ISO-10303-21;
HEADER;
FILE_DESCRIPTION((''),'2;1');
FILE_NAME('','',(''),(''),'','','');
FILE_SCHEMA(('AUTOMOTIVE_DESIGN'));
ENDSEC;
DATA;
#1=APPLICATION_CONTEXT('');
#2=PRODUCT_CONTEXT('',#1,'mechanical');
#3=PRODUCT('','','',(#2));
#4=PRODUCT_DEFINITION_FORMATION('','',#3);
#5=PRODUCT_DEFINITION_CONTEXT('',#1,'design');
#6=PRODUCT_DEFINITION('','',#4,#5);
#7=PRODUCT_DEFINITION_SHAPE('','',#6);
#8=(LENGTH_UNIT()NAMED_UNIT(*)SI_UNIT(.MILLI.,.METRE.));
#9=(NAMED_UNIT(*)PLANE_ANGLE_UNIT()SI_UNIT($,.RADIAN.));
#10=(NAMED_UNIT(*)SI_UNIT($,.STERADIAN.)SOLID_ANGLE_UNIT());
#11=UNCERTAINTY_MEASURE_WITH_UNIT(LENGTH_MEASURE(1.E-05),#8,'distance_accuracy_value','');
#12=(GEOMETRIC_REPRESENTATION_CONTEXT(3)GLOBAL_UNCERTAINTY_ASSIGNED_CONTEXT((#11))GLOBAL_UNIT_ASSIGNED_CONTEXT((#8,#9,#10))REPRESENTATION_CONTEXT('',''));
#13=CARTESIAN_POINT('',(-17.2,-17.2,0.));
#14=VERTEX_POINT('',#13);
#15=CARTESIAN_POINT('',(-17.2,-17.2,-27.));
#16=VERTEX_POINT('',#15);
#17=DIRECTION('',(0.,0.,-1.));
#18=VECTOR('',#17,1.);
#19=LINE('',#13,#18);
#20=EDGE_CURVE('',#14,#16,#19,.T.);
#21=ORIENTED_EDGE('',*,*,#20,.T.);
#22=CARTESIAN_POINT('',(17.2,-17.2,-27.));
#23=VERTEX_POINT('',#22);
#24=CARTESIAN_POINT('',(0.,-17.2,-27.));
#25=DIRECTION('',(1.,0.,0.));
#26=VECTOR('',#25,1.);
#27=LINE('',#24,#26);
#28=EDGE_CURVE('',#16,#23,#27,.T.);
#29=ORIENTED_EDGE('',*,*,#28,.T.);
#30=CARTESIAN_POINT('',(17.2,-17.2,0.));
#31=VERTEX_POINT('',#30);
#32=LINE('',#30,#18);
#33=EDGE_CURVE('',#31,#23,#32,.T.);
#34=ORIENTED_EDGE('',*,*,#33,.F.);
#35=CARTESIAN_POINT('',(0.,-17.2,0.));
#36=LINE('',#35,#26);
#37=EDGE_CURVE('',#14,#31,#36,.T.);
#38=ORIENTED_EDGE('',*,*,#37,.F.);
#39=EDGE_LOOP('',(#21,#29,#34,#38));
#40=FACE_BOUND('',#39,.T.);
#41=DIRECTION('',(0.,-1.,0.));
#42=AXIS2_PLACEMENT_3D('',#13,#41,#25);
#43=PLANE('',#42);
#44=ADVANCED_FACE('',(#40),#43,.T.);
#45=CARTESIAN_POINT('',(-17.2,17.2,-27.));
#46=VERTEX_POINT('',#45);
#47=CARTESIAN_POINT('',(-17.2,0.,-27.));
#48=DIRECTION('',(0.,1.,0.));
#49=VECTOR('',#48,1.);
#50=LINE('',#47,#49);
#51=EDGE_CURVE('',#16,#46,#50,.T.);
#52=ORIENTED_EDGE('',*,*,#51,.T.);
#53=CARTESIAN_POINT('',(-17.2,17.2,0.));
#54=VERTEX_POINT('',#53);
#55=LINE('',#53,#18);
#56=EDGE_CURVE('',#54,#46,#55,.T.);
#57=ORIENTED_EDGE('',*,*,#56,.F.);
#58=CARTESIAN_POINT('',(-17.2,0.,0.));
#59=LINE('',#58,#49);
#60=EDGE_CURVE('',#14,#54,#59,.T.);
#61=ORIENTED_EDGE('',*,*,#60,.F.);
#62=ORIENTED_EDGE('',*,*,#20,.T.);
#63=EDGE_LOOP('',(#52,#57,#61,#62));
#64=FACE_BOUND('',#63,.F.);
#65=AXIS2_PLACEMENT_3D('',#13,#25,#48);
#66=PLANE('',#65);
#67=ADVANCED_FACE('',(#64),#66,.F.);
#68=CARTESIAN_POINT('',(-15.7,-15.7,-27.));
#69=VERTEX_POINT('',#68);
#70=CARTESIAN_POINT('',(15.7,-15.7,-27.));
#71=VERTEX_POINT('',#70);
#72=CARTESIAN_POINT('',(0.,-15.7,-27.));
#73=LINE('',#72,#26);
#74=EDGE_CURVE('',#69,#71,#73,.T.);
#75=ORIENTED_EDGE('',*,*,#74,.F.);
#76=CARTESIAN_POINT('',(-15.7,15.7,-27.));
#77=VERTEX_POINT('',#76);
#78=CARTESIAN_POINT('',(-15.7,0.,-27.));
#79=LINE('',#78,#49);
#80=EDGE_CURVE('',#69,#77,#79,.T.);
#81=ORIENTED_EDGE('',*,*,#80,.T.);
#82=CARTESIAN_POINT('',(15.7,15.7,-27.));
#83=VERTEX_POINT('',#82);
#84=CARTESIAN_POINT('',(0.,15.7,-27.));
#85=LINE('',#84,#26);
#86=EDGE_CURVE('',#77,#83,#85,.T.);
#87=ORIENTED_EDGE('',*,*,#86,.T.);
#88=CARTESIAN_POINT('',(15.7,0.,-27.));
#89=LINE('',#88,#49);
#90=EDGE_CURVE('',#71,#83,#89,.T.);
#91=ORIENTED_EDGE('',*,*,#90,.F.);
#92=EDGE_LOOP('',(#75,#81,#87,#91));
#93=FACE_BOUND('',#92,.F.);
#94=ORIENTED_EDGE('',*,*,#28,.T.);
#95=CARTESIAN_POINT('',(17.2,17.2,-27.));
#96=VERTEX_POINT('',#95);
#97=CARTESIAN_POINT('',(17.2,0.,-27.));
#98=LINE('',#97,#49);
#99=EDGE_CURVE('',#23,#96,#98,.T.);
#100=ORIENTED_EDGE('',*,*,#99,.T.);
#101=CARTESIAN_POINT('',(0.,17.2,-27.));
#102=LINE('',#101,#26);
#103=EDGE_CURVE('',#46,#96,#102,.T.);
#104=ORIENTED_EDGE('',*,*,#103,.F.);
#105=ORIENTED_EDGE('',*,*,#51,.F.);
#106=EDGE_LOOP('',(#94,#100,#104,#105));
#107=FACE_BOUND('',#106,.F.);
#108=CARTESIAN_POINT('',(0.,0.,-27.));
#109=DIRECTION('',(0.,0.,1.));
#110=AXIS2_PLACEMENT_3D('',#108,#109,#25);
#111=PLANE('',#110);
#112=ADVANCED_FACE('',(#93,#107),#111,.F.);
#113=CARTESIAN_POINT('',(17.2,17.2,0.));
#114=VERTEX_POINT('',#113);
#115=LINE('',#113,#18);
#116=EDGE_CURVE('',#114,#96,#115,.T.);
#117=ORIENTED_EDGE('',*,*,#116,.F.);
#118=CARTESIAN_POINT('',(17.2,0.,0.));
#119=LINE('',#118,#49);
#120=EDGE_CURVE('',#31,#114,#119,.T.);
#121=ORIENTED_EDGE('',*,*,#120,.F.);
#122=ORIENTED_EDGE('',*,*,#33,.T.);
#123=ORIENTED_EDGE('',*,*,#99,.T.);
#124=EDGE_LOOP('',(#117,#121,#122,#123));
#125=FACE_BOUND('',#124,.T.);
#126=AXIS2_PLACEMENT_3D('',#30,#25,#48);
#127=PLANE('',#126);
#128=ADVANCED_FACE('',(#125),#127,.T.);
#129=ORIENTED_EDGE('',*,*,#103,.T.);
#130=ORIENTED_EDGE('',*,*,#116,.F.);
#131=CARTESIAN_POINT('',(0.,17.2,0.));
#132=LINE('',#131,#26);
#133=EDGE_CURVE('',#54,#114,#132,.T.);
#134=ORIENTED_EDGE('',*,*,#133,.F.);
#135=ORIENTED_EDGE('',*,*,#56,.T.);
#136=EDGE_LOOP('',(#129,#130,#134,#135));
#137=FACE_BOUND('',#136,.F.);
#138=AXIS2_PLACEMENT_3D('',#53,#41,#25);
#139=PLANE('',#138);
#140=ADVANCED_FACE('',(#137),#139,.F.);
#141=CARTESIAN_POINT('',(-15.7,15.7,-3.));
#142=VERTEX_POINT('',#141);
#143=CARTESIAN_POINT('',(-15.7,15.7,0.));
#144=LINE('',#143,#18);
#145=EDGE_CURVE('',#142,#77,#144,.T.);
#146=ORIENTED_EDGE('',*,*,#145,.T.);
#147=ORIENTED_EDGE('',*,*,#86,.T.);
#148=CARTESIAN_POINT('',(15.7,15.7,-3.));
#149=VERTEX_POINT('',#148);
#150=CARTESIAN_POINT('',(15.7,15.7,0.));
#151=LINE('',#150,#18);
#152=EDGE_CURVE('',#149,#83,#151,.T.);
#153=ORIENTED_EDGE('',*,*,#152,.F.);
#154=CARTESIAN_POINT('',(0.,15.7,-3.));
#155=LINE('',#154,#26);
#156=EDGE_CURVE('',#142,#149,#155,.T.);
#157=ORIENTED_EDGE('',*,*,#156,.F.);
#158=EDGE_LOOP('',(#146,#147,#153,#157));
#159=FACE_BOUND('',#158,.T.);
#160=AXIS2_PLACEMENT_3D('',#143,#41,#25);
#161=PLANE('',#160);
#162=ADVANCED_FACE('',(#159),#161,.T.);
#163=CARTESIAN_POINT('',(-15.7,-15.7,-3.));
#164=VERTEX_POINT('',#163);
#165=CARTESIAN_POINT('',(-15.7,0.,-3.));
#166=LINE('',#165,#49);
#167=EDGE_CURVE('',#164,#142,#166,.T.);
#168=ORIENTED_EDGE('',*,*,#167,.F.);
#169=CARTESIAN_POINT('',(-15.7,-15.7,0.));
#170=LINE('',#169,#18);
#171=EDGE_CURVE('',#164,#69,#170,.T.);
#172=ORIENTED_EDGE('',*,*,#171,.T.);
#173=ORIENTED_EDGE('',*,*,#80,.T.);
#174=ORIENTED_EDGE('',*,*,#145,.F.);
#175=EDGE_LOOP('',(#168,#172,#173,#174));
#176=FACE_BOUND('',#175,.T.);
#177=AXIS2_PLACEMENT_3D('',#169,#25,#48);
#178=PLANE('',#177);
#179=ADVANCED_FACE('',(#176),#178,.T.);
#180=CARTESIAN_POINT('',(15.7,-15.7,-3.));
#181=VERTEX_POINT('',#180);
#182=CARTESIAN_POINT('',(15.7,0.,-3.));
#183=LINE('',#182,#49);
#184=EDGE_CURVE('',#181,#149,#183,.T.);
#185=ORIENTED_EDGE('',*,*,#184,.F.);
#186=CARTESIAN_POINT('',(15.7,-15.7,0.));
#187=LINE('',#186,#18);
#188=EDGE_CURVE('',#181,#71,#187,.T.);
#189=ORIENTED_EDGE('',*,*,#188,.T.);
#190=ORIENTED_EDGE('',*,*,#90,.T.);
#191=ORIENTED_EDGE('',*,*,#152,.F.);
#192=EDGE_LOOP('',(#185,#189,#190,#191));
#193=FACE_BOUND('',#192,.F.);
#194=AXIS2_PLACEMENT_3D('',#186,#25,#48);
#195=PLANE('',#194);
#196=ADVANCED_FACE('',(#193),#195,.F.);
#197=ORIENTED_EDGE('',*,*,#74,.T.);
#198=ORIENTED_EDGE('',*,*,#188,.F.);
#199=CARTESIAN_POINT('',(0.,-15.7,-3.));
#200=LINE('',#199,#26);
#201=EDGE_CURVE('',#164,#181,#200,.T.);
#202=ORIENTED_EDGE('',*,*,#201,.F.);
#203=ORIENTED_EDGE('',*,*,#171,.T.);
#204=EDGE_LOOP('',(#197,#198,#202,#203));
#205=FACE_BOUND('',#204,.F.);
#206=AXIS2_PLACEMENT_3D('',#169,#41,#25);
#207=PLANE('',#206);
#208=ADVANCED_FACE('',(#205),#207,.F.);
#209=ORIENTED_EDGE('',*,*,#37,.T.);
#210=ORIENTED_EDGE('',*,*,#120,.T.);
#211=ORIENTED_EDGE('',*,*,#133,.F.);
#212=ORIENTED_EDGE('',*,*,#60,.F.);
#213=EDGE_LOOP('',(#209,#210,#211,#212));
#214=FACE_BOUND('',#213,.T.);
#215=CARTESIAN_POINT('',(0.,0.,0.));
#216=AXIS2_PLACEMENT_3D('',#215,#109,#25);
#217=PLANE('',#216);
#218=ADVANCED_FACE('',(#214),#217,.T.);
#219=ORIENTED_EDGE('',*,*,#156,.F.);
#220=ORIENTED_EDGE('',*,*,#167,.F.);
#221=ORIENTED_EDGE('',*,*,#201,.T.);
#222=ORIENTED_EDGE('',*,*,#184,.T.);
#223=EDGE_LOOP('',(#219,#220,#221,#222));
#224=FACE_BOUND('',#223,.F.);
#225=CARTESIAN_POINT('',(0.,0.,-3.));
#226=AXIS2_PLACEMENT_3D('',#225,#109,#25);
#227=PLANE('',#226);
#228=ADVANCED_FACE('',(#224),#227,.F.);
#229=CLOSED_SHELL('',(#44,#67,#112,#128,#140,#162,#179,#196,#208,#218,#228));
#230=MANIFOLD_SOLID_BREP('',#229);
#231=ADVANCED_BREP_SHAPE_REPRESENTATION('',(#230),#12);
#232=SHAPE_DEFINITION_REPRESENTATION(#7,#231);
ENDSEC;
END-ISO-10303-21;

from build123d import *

# Parameters (mm, degrees)
F0_W     = 34.4
F0_H     = 34.4
F0_W_2   = 31.4
F0_H_2   = 31.4
F1_DEPTH = 27
F2_DEPTH = 3


with BuildPart() as f1:
    # F0 (on Top) → F1 (new body)
    with BuildSketch(Plane.XY):
        Rectangle(F0_W, F0_H)
        Rectangle(F0_W_2, F0_H_2, mode=Mode.SUBTRACT)
    extrude(amount=-F1_DEPTH)

    # F0 (on Top) → F2 (join)
    with BuildSketch(Plane.XY):
        Rectangle(F0_W_2, F0_H_2)
    extrude(amount=-F2_DEPTH)


solid = f1.part
